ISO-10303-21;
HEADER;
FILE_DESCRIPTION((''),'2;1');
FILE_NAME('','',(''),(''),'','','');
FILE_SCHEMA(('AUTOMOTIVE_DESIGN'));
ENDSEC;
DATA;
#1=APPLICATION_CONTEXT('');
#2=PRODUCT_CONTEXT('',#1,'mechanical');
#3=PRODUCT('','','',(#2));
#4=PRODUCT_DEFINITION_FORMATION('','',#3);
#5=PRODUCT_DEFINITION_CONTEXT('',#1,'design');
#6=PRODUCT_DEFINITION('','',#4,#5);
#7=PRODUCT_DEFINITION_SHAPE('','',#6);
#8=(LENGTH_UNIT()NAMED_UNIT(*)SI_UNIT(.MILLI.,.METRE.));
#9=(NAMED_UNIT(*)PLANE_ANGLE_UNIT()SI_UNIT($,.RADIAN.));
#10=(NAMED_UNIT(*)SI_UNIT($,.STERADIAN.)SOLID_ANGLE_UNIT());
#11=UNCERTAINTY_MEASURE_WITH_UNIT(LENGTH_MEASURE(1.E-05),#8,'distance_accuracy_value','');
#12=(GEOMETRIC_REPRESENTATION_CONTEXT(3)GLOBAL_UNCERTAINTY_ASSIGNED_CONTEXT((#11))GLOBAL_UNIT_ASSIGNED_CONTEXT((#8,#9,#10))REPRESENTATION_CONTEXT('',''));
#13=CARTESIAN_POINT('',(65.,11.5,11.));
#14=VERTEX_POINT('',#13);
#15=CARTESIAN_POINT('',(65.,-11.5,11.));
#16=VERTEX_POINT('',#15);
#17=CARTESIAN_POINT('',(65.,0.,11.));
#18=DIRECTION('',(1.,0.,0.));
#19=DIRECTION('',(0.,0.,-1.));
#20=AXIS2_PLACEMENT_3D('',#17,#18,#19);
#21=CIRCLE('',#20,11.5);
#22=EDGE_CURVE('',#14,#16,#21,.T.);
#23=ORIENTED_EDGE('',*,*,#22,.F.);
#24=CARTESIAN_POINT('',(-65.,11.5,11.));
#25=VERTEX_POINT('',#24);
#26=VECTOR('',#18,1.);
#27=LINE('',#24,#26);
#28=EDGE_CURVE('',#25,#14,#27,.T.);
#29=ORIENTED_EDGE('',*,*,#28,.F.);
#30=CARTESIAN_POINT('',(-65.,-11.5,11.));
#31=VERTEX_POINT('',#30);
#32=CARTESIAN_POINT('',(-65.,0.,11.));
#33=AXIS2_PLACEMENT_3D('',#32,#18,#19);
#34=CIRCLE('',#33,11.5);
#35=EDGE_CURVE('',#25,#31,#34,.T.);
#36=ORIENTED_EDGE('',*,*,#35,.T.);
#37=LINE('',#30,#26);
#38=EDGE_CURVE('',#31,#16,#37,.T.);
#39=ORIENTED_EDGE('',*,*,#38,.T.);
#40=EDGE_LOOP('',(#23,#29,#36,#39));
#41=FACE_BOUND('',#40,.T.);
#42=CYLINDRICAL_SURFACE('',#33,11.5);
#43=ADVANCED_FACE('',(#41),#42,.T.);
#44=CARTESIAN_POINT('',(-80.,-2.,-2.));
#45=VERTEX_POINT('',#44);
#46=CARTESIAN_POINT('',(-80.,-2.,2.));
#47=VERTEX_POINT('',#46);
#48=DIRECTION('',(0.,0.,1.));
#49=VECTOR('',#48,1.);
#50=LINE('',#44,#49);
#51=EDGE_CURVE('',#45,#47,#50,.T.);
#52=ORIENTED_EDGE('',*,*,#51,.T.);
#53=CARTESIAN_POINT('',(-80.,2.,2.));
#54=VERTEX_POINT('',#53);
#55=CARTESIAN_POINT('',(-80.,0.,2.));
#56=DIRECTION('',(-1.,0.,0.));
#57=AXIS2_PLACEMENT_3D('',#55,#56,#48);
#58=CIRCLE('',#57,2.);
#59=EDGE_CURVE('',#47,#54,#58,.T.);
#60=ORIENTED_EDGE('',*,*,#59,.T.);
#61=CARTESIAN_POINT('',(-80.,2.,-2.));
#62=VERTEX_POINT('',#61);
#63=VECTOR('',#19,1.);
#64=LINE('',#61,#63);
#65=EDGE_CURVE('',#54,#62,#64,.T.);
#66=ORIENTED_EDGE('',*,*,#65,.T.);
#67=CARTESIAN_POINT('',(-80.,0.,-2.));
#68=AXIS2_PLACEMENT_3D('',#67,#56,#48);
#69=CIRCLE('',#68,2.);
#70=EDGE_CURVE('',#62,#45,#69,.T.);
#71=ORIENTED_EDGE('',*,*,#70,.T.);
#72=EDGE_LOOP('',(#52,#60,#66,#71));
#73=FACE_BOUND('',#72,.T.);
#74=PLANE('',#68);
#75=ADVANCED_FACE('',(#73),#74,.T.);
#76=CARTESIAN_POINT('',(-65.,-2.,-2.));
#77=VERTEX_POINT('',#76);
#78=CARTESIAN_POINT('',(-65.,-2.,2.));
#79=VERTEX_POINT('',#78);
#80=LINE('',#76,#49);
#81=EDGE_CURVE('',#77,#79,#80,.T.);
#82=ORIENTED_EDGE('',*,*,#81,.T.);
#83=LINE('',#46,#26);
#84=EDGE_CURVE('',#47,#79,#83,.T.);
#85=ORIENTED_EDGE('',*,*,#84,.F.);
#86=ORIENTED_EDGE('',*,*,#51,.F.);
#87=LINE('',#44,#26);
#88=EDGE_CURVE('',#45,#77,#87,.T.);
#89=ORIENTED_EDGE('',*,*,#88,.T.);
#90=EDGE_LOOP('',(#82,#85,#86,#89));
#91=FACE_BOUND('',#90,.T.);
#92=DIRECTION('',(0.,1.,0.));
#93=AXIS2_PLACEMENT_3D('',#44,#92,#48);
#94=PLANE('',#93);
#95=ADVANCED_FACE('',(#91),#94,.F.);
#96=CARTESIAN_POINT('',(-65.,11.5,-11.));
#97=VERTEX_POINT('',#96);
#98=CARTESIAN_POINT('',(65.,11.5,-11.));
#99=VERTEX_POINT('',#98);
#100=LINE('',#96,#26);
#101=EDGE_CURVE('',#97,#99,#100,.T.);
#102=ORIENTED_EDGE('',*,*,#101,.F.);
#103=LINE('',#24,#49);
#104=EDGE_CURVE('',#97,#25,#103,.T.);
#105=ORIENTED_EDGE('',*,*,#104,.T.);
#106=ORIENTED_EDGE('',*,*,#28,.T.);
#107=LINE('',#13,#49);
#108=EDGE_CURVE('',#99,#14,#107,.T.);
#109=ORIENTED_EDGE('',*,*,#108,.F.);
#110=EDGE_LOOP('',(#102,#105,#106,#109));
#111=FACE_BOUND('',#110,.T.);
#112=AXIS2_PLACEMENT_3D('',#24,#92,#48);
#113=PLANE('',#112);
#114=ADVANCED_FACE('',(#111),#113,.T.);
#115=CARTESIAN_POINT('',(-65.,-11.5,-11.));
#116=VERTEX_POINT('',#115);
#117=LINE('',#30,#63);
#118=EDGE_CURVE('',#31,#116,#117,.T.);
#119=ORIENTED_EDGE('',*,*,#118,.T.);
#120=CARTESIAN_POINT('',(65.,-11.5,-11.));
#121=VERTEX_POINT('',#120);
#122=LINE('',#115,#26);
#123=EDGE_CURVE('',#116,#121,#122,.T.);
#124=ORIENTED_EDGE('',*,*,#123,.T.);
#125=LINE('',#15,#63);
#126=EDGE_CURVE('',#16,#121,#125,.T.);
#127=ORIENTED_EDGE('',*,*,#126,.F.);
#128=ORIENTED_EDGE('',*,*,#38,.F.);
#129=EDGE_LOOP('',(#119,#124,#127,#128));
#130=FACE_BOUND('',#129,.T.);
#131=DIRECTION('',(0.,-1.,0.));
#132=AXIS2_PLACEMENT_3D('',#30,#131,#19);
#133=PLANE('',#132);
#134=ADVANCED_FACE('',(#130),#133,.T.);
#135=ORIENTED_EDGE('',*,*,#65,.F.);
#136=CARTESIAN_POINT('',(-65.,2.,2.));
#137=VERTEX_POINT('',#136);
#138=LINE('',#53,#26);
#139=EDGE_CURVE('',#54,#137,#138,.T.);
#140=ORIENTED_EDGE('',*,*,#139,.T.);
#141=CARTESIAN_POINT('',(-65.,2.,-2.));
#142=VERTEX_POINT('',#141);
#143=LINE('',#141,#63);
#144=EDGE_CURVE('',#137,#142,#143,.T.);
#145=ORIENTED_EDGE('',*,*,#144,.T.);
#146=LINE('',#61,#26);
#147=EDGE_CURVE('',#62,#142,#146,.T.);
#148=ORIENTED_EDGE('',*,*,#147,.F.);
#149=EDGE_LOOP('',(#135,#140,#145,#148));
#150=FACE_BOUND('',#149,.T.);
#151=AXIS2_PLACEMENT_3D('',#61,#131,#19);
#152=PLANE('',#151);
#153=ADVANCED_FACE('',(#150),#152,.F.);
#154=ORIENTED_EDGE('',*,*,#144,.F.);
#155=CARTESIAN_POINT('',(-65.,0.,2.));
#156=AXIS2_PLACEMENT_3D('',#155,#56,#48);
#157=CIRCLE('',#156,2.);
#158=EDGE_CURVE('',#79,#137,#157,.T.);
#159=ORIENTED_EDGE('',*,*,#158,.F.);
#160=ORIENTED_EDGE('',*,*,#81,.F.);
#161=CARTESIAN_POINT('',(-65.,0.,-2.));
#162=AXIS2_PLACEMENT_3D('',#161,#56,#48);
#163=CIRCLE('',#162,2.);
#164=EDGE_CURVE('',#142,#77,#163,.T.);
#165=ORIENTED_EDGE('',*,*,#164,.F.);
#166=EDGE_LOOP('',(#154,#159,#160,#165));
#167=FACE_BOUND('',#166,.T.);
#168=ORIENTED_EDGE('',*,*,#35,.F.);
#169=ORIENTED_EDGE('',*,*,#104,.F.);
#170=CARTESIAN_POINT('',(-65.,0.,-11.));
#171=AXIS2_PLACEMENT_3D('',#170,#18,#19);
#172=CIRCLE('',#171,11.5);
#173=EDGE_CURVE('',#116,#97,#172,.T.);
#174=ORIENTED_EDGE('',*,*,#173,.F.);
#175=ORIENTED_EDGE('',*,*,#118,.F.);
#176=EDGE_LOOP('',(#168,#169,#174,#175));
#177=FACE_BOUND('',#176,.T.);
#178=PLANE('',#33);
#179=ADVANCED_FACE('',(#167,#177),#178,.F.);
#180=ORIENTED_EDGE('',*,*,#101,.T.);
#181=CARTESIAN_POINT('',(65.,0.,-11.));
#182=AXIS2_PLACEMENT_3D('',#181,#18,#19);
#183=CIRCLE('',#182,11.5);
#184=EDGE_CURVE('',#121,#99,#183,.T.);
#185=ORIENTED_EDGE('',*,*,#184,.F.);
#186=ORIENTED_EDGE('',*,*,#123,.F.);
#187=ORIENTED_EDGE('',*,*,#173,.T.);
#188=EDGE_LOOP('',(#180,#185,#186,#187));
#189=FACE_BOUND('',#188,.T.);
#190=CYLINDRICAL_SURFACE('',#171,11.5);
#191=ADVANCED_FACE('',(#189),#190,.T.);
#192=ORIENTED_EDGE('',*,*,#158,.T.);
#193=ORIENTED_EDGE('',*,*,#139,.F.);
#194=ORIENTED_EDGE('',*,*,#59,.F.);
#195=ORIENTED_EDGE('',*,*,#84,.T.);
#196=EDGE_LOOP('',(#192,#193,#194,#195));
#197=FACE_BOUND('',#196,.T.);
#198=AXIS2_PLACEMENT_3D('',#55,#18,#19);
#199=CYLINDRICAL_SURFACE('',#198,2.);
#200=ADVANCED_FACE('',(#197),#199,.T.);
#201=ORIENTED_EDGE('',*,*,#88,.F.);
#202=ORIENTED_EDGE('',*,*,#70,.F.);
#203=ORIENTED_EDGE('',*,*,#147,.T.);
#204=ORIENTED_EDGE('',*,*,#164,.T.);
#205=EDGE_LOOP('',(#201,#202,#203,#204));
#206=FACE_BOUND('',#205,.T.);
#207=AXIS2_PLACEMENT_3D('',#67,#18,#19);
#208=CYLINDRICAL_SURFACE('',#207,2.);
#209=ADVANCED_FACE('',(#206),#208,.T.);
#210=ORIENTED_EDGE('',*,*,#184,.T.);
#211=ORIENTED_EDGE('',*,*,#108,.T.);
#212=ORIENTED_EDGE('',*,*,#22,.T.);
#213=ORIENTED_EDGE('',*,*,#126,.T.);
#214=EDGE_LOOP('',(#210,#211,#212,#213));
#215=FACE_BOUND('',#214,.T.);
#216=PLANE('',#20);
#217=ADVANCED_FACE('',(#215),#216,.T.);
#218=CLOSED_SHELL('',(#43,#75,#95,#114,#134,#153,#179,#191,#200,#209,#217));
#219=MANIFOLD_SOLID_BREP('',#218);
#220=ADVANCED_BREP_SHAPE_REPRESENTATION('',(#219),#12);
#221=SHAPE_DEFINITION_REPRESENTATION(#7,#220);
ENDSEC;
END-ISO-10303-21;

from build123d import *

# Parameters (mm, degrees)
BOSS_EXTRUDE1_DEPTH      = 65
BOSS_EXTRUDE1_DEPTH_BACK = 65
BOSS_EXTRUDE2_DEPTH      = 15


with BuildPart() as part:
    # Sketch1 → Boss-Extrude1 (new, two sides: drawn at the far end of the back side and taken through both)
    with BuildSketch(Plane(origin=(0, 0, 0), x_dir=(0, 0, -1), z_dir=(1, 0, 0)).offset(-BOSS_EXTRUDE1_DEPTH_BACK)):
        with BuildLine():
            Line((-11, 11.5), (11, 11.5))
            ThreePointArc((11, 11.5), (22.5, 0), (11, -11.5))
            Line((11, -11.5), (-11, -11.5))
            ThreePointArc((-11, -11.5), (-22.5, 0), (-11, 11.5))
        make_face()
    extrude(amount=BOSS_EXTRUDE1_DEPTH + BOSS_EXTRUDE1_DEPTH_BACK)

    # Sketch2 → Boss-Extrude2 (add)
    with BuildSketch(Plane.ZY.offset(65)):
        with BuildLine():
            Line((-2, 2), (2, 2))
            ThreePointArc((2, 2), (4, 0), (2, -2))
            Line((2, -2), (-2, -2))
            ThreePointArc((-2, -2), (-4, 0), (-2, 2))
        make_face()
    extrude(amount=BOSS_EXTRUDE2_DEPTH)


solid = part.part
